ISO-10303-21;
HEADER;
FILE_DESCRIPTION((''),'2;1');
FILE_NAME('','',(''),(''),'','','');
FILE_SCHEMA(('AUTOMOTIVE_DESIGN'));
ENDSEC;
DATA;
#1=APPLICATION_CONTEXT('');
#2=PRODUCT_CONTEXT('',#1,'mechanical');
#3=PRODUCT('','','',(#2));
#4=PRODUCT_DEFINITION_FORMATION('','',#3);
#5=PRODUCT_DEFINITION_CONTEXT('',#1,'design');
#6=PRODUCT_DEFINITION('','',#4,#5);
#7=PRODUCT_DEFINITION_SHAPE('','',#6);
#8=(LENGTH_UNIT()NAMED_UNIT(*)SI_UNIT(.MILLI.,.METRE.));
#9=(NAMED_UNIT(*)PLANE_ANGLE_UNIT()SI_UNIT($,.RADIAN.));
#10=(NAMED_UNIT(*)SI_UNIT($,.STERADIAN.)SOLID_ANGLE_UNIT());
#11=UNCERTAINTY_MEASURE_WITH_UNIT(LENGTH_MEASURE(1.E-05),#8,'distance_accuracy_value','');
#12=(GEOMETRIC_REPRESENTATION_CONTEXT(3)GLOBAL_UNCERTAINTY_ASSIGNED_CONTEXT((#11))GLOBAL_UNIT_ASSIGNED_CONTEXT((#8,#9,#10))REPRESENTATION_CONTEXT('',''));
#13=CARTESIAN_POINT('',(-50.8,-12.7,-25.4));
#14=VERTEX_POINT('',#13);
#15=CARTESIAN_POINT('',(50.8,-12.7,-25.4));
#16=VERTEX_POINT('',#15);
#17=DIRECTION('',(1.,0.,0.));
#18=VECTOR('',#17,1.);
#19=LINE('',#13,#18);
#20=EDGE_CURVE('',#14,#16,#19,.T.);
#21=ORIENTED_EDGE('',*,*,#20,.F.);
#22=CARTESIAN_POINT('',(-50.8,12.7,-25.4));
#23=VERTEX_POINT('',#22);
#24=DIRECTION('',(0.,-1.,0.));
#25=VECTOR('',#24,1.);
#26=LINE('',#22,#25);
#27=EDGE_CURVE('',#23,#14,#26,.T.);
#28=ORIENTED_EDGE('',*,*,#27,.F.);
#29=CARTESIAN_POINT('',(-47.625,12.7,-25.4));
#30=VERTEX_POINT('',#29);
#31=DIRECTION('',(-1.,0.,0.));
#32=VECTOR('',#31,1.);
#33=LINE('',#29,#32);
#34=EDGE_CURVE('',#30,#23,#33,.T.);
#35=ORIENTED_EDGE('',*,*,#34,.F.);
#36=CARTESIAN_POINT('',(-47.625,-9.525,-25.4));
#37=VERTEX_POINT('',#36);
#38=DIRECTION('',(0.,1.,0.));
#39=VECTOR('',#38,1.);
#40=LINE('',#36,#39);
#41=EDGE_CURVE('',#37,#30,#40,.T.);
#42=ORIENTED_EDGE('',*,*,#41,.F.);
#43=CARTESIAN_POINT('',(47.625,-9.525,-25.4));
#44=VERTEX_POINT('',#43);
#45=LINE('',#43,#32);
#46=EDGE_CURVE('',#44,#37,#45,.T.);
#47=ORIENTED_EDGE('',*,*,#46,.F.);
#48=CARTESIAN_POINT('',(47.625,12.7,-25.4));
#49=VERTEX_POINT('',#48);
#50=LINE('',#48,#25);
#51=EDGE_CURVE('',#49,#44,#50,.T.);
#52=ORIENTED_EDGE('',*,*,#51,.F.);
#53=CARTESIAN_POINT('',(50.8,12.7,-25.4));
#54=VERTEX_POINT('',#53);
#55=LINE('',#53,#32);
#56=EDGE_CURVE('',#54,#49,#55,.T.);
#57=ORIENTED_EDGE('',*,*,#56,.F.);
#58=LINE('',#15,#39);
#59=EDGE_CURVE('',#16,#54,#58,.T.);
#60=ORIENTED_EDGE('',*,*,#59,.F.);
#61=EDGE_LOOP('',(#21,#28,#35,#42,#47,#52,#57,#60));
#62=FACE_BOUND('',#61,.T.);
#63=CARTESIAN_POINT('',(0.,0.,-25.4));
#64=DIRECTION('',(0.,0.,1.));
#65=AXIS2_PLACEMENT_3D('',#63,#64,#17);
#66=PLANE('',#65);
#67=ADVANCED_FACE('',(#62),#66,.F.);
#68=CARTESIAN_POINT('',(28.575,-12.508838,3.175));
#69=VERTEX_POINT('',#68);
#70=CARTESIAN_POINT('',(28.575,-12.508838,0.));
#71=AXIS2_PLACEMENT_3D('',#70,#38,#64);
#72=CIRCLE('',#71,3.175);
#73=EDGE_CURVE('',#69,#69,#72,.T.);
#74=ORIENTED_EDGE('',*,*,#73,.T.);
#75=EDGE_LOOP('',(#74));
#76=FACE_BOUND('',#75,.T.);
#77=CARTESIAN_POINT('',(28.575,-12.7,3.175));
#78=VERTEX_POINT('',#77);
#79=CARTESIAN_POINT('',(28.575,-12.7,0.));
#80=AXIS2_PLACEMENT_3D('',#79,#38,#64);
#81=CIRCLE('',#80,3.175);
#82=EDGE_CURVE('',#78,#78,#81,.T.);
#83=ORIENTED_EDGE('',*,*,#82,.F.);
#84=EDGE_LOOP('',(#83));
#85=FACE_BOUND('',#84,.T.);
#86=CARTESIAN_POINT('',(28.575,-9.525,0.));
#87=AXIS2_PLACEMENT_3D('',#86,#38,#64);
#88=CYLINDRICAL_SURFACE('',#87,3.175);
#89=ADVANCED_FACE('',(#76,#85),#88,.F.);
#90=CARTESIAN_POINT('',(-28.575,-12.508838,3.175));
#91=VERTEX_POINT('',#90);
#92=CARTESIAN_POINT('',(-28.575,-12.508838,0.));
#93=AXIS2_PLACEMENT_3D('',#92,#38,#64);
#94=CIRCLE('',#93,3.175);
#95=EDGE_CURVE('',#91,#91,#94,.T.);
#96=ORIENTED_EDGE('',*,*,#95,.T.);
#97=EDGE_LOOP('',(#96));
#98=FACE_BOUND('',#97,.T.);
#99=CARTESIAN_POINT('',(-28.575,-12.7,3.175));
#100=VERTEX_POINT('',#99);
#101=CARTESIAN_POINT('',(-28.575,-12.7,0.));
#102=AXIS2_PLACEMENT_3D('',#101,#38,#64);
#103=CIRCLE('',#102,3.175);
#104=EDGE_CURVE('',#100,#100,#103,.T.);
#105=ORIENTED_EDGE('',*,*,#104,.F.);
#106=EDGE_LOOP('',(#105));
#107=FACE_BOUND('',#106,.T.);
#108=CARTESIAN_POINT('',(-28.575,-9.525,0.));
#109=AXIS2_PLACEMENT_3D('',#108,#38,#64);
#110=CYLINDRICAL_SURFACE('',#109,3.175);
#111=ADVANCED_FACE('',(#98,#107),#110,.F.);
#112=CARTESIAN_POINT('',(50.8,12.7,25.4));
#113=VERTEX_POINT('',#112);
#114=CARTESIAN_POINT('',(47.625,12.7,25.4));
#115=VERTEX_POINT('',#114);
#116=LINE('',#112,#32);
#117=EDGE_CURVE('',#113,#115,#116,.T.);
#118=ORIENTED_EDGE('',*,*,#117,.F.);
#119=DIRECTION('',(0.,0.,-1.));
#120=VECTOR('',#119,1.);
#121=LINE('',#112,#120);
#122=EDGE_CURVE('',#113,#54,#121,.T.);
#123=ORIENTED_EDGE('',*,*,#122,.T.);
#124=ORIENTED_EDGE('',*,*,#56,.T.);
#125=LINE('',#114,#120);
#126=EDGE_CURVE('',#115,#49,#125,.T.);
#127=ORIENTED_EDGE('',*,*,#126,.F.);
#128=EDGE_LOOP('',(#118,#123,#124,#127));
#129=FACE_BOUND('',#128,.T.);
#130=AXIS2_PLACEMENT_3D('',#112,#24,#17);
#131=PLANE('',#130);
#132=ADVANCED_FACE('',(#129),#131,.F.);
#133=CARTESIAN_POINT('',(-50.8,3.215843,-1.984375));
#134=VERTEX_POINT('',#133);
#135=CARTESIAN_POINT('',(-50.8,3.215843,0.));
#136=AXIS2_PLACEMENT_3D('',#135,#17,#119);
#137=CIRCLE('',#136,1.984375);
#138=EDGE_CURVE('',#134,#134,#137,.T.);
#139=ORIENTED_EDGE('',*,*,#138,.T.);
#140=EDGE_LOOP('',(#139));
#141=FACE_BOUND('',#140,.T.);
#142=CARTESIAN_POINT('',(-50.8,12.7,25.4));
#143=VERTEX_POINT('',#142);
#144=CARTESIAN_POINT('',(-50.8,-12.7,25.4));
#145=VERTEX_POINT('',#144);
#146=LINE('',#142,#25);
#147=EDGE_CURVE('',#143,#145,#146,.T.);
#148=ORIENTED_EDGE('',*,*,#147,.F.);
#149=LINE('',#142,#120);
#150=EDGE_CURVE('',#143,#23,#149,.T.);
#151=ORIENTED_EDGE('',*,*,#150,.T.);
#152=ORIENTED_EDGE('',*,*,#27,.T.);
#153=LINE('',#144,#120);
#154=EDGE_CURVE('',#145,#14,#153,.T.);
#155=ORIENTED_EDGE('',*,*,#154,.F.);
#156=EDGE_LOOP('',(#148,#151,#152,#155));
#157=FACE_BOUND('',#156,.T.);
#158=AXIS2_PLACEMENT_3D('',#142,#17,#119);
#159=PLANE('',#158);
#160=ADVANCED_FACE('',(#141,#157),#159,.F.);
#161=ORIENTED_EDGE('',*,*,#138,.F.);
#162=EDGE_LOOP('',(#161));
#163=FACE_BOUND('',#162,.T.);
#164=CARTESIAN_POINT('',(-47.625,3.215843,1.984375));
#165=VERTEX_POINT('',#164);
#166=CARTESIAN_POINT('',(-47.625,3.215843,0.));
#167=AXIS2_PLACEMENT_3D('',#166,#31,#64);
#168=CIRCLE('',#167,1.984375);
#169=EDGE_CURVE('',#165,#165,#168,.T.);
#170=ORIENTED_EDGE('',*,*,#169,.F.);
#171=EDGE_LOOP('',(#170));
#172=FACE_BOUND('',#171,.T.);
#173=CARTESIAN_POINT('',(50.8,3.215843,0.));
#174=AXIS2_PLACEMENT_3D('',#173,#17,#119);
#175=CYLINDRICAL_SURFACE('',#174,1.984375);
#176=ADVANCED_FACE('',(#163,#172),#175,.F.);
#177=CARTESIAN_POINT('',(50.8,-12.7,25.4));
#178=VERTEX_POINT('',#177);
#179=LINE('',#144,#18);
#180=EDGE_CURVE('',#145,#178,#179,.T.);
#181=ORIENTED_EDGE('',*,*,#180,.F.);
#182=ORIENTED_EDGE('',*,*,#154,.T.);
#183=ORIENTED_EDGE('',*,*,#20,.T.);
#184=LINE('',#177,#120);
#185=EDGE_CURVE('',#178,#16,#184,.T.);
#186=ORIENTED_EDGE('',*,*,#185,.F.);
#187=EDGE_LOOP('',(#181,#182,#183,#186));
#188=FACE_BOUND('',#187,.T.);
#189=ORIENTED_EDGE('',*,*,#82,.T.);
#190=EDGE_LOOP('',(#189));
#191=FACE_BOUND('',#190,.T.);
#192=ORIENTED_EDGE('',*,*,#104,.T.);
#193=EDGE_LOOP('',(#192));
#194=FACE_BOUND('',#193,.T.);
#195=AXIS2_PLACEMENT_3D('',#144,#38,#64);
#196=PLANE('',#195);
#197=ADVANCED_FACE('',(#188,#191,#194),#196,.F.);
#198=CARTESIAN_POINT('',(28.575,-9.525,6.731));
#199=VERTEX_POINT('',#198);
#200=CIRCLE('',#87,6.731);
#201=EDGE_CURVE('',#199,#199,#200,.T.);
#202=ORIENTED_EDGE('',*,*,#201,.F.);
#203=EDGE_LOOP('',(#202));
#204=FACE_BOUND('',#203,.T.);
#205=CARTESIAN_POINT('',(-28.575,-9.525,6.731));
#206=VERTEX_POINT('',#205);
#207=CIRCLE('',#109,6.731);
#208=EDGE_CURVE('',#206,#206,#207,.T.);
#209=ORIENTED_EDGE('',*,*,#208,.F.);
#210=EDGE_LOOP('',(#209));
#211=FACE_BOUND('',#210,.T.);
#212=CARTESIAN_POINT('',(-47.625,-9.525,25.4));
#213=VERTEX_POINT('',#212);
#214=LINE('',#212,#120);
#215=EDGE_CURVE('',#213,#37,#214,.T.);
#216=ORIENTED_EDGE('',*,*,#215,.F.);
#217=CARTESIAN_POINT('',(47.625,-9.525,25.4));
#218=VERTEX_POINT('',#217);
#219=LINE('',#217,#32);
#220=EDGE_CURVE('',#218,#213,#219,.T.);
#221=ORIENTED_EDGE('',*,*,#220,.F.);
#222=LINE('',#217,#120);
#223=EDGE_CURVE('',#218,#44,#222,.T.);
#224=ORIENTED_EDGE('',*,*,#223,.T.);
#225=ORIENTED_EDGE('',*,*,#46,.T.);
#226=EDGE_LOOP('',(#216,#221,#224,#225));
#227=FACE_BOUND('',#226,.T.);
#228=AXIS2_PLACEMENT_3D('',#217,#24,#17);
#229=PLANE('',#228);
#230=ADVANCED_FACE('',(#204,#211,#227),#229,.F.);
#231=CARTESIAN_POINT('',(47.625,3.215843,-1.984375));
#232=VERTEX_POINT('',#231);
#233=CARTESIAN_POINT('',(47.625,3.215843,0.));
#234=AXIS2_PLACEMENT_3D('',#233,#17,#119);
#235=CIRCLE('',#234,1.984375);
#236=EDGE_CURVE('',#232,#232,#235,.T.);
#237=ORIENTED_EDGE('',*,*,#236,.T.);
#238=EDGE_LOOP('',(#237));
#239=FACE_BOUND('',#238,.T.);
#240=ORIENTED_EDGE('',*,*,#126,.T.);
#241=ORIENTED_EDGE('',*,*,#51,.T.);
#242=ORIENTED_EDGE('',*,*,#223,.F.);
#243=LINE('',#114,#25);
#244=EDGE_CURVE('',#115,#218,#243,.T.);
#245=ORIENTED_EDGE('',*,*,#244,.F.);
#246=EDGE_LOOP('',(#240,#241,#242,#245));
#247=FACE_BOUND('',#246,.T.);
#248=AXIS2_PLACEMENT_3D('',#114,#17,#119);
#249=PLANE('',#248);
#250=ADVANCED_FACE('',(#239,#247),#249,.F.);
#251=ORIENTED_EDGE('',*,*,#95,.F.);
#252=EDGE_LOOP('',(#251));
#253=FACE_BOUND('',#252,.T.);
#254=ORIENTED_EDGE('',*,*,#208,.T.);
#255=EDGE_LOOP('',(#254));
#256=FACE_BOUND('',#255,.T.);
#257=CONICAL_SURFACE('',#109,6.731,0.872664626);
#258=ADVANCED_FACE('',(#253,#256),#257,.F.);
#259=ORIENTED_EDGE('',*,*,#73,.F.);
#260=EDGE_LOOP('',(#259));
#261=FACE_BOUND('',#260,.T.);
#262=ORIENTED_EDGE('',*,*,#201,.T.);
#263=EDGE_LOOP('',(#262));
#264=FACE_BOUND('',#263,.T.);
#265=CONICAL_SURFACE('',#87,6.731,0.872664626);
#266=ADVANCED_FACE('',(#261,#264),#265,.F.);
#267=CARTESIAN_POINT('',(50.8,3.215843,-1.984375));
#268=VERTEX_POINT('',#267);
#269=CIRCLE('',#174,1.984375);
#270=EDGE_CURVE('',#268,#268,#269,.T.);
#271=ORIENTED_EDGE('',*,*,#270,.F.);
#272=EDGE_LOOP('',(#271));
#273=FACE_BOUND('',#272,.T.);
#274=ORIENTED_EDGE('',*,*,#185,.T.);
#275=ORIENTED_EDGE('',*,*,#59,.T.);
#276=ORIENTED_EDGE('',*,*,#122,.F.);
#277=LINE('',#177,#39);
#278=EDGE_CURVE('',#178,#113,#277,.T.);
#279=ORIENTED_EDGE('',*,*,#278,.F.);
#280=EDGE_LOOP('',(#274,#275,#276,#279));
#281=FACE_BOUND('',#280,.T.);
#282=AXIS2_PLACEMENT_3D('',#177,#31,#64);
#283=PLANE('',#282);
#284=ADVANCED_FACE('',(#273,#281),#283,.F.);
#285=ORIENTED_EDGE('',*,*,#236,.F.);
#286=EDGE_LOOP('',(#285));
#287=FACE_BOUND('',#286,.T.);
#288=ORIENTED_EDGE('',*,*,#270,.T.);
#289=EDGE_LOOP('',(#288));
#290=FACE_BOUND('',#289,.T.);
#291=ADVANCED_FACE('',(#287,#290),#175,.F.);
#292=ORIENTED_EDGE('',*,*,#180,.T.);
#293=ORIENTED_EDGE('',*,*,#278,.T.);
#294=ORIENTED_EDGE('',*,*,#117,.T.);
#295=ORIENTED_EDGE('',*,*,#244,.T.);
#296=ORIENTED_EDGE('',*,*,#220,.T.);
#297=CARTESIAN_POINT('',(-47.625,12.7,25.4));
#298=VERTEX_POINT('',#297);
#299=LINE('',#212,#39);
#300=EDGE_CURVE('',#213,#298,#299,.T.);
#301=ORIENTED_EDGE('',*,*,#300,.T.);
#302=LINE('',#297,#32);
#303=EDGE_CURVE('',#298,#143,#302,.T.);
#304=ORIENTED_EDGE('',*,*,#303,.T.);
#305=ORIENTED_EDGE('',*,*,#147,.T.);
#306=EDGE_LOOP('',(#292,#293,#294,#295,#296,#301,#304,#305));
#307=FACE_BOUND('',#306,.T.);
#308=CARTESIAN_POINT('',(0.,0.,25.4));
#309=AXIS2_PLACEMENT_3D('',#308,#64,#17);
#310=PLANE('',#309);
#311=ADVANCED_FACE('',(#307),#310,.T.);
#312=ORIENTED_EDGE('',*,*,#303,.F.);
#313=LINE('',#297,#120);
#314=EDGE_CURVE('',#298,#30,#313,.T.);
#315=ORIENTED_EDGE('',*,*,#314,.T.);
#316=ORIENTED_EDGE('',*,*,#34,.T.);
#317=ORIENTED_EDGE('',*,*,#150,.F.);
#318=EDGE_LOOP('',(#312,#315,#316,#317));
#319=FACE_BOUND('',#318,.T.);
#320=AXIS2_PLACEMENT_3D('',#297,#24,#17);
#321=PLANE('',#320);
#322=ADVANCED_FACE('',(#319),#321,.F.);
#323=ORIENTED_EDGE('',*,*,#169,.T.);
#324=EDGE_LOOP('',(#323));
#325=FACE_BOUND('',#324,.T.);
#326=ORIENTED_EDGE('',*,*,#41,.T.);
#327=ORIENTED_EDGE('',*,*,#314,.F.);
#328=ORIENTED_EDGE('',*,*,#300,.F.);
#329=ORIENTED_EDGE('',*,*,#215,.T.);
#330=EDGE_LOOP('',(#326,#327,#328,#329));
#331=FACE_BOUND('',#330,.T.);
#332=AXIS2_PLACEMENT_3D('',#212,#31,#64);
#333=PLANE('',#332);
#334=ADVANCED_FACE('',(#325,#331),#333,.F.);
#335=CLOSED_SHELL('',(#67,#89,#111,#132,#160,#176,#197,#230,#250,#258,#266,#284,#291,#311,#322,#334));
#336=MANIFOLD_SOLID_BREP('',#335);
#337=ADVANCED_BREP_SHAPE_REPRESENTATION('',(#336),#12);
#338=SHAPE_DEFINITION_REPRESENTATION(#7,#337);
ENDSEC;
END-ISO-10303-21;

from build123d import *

# Parameters (mm, degrees)
BOSS_EXTRUDE2_DEPTH                  = 25.4
F_1_4_0_25_DIAMETER_HOLE1_AT_2_COUNT = 2
F_1_4_0_25_DIAMETER_HOLE1_AT_2_PITCH = 57.15
F_5_32_0_15625_DIAMETER_HOLE1_D      = 3.96875


with BuildPart() as part:
    # Sketch3 → Boss-Extrude2 (new, symmetric)
    with BuildSketch(Plane.XY):
        Polygon((-50.8, 12.7), (-50.8, -12.7), (50.8, -12.7), (50.8, 12.7), (47.625, 12.7), (47.625, -9.525), (-47.625, -9.525), (-47.625, 12.7), align=None)
    extrude(amount=BOSS_EXTRUDE2_DEPTH, both=True)

    # Sketch6 → 1/4 (0.25) Diameter Hole1 (revolve, cut)
    with BuildSketch(Plane(origin=(-28.575, -9.525, 0), x_dir=(0, 0, 1), z_dir=(1, 0, 0))):
        Polygon((0, 0), (0, 3.175), (3.175, 3.175), (3.175, 2.983838288), (6.731, 0), align=None)
    f_1_4_0_25_diameter_hole1 = revolve(axis=Axis((-28.575, -3.175, 0), (0, -1, 0)), mode=Mode.SUBTRACT)

    # 1/4 (0.25) Diameter Hole1 at 2: 1/4 (0.25) Diameter Hole1 ×2
    with Locations(*[(i * F_1_4_0_25_DIAMETER_HOLE1_AT_2_PITCH, 0, 0) for i in range(1, F_1_4_0_25_DIAMETER_HOLE1_AT_2_COUNT)]):
        add(f_1_4_0_25_diameter_hole1, mode=Mode.SUBTRACT)

    # 5/32 (0.15625) Diameter Hole1 (through all)
    with Locations(Plane(origin=(50.8, 0, 0), x_dir=(0, 0, -1), z_dir=(1, 0, 0))):
        with Locations((0, 3.215843377)):
            Hole(F_5_32_0_15625_DIAMETER_HOLE1_D / 2)


solid = part.part
